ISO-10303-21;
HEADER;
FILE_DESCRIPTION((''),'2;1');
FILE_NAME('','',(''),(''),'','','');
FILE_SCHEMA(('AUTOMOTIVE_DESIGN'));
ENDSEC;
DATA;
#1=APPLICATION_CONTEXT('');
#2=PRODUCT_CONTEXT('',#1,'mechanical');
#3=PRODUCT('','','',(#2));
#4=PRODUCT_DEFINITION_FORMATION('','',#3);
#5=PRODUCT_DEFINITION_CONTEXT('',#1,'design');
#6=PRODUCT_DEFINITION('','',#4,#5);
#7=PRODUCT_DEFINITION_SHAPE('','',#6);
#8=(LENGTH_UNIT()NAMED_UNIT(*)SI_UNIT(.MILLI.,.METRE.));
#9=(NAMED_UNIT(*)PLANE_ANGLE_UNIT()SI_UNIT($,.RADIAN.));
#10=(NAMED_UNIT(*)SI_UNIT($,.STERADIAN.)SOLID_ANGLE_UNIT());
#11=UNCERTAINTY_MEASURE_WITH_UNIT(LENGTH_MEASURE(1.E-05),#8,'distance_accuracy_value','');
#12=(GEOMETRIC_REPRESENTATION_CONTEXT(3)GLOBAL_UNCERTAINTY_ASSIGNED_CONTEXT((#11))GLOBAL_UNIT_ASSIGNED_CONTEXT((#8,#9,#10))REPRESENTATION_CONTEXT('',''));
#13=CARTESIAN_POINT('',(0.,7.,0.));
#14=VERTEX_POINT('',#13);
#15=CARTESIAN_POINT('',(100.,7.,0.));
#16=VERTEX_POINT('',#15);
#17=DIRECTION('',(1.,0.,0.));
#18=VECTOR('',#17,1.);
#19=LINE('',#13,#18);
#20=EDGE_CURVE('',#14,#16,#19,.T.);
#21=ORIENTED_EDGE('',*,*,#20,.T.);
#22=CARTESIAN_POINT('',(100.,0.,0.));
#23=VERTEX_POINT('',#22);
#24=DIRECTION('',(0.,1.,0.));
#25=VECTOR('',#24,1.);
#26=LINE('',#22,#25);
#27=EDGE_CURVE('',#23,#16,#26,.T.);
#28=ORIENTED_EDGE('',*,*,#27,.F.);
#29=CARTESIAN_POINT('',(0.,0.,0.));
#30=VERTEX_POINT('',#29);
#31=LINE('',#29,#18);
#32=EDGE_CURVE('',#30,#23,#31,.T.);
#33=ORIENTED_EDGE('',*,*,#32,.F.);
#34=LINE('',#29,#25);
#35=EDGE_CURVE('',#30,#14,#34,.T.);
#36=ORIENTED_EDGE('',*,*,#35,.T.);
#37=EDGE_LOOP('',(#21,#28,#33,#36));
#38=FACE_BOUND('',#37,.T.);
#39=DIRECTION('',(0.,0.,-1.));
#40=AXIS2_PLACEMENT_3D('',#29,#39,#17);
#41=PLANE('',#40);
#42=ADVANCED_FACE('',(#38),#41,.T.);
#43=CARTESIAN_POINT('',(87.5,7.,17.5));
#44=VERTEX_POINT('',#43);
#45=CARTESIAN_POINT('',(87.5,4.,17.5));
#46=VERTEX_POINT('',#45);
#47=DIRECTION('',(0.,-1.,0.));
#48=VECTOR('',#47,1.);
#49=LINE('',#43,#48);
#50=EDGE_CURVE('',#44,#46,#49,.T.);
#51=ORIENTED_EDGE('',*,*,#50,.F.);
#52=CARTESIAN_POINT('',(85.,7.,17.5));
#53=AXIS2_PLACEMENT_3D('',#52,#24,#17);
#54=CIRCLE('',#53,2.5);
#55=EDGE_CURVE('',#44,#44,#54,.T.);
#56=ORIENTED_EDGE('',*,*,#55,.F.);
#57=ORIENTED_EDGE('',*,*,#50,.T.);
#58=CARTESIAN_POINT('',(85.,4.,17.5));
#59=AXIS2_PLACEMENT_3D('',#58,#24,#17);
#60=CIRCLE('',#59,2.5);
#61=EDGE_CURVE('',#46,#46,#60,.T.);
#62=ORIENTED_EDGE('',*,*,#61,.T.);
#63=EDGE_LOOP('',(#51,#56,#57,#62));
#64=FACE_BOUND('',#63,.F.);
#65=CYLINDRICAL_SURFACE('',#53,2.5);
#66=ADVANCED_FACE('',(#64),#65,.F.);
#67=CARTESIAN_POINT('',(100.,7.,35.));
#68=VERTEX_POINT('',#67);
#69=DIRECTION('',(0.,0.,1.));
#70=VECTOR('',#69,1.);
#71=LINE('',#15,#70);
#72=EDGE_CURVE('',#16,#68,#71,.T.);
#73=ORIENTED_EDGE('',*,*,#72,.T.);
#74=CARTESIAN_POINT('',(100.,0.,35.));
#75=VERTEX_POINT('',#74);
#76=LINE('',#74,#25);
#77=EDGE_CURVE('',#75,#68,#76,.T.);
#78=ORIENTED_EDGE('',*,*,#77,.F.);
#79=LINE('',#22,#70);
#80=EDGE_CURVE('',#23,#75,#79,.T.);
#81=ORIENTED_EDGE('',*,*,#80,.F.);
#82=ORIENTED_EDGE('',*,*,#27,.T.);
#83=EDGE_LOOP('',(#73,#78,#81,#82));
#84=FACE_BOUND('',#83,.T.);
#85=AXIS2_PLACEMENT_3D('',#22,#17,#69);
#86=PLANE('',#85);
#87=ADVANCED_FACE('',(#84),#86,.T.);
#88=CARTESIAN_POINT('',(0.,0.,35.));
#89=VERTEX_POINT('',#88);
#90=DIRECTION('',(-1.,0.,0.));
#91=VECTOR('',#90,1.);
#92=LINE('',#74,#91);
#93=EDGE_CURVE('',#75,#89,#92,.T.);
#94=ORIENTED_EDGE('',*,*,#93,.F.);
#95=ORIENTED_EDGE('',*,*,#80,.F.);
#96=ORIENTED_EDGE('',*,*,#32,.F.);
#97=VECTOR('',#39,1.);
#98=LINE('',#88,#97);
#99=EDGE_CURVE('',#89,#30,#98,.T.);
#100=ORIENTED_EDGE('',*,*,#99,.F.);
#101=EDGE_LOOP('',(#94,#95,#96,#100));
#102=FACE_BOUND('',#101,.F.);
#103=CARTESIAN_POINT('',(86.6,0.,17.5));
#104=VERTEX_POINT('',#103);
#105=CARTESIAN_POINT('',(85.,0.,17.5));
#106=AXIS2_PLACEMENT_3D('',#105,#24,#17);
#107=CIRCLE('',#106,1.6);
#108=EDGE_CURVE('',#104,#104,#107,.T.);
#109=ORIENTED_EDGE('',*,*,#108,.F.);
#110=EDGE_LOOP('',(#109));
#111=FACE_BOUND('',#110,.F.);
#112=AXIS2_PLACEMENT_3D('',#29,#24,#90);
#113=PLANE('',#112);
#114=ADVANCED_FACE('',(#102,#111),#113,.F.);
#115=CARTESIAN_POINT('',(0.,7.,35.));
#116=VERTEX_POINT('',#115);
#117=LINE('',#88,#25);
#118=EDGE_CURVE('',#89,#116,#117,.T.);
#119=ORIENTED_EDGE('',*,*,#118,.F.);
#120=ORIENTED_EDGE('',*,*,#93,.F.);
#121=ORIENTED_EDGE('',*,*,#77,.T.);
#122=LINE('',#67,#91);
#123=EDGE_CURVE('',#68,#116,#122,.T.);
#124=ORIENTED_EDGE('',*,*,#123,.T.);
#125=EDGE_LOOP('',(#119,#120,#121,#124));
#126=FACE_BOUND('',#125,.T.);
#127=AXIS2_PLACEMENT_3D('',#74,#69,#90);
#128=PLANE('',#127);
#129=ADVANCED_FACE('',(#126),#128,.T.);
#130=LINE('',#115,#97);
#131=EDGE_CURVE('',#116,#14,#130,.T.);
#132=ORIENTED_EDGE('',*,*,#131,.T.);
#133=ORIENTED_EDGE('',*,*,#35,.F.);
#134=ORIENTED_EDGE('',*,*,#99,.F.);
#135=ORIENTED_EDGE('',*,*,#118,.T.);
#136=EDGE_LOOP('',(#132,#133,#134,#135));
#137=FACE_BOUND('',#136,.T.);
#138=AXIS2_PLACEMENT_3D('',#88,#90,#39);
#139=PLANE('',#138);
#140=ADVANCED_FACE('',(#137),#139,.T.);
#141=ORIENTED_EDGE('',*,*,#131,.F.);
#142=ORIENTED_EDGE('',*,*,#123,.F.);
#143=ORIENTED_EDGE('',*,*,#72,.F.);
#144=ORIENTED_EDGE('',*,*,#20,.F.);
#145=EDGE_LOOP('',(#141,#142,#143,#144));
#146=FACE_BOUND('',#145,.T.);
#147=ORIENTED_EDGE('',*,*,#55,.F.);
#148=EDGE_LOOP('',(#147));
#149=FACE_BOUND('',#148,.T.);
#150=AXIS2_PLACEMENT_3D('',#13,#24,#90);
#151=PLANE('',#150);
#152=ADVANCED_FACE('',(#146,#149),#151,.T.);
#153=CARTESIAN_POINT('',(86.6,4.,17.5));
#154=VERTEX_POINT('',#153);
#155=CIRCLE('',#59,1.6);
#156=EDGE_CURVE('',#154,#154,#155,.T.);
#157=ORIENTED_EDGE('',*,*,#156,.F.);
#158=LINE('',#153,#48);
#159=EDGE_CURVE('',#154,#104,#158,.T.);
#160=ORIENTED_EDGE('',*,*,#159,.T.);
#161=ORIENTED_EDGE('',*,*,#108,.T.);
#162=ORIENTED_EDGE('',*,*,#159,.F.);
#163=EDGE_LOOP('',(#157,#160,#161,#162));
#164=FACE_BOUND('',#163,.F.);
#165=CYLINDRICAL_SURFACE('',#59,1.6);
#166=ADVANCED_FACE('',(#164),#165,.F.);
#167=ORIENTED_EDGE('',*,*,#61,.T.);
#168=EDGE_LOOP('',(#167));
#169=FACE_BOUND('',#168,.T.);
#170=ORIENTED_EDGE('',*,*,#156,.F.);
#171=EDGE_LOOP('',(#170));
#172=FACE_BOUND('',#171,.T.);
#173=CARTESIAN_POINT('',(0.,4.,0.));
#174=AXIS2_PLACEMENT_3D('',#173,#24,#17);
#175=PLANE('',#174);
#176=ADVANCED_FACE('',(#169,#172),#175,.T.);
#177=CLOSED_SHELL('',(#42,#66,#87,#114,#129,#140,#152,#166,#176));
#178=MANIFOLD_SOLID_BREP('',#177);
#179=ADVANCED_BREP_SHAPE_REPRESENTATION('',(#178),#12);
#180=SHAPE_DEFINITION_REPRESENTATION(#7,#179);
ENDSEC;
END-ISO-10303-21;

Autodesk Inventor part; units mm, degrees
ref_plane "YZ Plane" through (0, 0, 0) normal (1, 0, 0) x (0, 1, 0)
ref_plane "XZ Plane" through (0, 0, 0) normal (0, 1, 0) x (-1, 0, 0)
ref_plane "XY Plane" through (0, 0, 0) normal (0, 0, 1) x (1, 0, 0)
sketch "Sketch1" plane through (0, 0, 0) normal (0, 1, 0) x (-1, 0, 0)
  line L0 (0, 0) -> (-100, 0)
  line L1 (-100, 0) -> (-100, 35)
  line L2 (-100, 35) -> (0, 35)
  line L3 (0, 35) -> (0, 0)
  dimension "d0" = 100
  dimension "d1" = 35
extrude "Extrusion1" add sketch "Sketch1" along normal blind 7
sketch "Sketch2" plane through (0, 7, 0) normal (0, 1, 0) x (1, 0, 0)
  line L0 (0, 0) -> (0, -35) projected
  line L1 (100, -35) -> (100, 0) projected
  circle A0 centre (85, -17.5) radius 1.5
  line L2 (0, -35) -> (100, -35) projected
  line L3 (50, -35) -> (50, 0)
  line L4 (100, 0) -> (0, 0) projected
  circle A1 centre (85, -17.5) radius 2.5
  point P0 (0, -17.5)
  dimension "d6" = 3
  dimension "d8" = 5
extrude "Extrusion2" cut sketch "Sketch2" against normal blind 3 contours A0 | A1
sketch "Sketch3" plane through (85, 4, 17.5) normal (0, 1, 0) x (1, 0, 0)
  circle A0 centre (0, 0) radius 1.6
  point P0 (-85, 17.5)
  dimension "d11" = 3.2
extrude "Extrusion3" cut sketch "Sketch3" against normal blind 4
sketch "Sketch4" plane through (0, 7, 0) normal (0, 1, 0) x (1, 0, 0)
  line L0 (100, -35) -> (100, 0) projected
  line L1 (0, 0) -> (0, -35) projected
  point P0 (0, -17.5)
  dimension "d14" = 100
  dimension "d15" = 35
properties part number "piano di carico"
